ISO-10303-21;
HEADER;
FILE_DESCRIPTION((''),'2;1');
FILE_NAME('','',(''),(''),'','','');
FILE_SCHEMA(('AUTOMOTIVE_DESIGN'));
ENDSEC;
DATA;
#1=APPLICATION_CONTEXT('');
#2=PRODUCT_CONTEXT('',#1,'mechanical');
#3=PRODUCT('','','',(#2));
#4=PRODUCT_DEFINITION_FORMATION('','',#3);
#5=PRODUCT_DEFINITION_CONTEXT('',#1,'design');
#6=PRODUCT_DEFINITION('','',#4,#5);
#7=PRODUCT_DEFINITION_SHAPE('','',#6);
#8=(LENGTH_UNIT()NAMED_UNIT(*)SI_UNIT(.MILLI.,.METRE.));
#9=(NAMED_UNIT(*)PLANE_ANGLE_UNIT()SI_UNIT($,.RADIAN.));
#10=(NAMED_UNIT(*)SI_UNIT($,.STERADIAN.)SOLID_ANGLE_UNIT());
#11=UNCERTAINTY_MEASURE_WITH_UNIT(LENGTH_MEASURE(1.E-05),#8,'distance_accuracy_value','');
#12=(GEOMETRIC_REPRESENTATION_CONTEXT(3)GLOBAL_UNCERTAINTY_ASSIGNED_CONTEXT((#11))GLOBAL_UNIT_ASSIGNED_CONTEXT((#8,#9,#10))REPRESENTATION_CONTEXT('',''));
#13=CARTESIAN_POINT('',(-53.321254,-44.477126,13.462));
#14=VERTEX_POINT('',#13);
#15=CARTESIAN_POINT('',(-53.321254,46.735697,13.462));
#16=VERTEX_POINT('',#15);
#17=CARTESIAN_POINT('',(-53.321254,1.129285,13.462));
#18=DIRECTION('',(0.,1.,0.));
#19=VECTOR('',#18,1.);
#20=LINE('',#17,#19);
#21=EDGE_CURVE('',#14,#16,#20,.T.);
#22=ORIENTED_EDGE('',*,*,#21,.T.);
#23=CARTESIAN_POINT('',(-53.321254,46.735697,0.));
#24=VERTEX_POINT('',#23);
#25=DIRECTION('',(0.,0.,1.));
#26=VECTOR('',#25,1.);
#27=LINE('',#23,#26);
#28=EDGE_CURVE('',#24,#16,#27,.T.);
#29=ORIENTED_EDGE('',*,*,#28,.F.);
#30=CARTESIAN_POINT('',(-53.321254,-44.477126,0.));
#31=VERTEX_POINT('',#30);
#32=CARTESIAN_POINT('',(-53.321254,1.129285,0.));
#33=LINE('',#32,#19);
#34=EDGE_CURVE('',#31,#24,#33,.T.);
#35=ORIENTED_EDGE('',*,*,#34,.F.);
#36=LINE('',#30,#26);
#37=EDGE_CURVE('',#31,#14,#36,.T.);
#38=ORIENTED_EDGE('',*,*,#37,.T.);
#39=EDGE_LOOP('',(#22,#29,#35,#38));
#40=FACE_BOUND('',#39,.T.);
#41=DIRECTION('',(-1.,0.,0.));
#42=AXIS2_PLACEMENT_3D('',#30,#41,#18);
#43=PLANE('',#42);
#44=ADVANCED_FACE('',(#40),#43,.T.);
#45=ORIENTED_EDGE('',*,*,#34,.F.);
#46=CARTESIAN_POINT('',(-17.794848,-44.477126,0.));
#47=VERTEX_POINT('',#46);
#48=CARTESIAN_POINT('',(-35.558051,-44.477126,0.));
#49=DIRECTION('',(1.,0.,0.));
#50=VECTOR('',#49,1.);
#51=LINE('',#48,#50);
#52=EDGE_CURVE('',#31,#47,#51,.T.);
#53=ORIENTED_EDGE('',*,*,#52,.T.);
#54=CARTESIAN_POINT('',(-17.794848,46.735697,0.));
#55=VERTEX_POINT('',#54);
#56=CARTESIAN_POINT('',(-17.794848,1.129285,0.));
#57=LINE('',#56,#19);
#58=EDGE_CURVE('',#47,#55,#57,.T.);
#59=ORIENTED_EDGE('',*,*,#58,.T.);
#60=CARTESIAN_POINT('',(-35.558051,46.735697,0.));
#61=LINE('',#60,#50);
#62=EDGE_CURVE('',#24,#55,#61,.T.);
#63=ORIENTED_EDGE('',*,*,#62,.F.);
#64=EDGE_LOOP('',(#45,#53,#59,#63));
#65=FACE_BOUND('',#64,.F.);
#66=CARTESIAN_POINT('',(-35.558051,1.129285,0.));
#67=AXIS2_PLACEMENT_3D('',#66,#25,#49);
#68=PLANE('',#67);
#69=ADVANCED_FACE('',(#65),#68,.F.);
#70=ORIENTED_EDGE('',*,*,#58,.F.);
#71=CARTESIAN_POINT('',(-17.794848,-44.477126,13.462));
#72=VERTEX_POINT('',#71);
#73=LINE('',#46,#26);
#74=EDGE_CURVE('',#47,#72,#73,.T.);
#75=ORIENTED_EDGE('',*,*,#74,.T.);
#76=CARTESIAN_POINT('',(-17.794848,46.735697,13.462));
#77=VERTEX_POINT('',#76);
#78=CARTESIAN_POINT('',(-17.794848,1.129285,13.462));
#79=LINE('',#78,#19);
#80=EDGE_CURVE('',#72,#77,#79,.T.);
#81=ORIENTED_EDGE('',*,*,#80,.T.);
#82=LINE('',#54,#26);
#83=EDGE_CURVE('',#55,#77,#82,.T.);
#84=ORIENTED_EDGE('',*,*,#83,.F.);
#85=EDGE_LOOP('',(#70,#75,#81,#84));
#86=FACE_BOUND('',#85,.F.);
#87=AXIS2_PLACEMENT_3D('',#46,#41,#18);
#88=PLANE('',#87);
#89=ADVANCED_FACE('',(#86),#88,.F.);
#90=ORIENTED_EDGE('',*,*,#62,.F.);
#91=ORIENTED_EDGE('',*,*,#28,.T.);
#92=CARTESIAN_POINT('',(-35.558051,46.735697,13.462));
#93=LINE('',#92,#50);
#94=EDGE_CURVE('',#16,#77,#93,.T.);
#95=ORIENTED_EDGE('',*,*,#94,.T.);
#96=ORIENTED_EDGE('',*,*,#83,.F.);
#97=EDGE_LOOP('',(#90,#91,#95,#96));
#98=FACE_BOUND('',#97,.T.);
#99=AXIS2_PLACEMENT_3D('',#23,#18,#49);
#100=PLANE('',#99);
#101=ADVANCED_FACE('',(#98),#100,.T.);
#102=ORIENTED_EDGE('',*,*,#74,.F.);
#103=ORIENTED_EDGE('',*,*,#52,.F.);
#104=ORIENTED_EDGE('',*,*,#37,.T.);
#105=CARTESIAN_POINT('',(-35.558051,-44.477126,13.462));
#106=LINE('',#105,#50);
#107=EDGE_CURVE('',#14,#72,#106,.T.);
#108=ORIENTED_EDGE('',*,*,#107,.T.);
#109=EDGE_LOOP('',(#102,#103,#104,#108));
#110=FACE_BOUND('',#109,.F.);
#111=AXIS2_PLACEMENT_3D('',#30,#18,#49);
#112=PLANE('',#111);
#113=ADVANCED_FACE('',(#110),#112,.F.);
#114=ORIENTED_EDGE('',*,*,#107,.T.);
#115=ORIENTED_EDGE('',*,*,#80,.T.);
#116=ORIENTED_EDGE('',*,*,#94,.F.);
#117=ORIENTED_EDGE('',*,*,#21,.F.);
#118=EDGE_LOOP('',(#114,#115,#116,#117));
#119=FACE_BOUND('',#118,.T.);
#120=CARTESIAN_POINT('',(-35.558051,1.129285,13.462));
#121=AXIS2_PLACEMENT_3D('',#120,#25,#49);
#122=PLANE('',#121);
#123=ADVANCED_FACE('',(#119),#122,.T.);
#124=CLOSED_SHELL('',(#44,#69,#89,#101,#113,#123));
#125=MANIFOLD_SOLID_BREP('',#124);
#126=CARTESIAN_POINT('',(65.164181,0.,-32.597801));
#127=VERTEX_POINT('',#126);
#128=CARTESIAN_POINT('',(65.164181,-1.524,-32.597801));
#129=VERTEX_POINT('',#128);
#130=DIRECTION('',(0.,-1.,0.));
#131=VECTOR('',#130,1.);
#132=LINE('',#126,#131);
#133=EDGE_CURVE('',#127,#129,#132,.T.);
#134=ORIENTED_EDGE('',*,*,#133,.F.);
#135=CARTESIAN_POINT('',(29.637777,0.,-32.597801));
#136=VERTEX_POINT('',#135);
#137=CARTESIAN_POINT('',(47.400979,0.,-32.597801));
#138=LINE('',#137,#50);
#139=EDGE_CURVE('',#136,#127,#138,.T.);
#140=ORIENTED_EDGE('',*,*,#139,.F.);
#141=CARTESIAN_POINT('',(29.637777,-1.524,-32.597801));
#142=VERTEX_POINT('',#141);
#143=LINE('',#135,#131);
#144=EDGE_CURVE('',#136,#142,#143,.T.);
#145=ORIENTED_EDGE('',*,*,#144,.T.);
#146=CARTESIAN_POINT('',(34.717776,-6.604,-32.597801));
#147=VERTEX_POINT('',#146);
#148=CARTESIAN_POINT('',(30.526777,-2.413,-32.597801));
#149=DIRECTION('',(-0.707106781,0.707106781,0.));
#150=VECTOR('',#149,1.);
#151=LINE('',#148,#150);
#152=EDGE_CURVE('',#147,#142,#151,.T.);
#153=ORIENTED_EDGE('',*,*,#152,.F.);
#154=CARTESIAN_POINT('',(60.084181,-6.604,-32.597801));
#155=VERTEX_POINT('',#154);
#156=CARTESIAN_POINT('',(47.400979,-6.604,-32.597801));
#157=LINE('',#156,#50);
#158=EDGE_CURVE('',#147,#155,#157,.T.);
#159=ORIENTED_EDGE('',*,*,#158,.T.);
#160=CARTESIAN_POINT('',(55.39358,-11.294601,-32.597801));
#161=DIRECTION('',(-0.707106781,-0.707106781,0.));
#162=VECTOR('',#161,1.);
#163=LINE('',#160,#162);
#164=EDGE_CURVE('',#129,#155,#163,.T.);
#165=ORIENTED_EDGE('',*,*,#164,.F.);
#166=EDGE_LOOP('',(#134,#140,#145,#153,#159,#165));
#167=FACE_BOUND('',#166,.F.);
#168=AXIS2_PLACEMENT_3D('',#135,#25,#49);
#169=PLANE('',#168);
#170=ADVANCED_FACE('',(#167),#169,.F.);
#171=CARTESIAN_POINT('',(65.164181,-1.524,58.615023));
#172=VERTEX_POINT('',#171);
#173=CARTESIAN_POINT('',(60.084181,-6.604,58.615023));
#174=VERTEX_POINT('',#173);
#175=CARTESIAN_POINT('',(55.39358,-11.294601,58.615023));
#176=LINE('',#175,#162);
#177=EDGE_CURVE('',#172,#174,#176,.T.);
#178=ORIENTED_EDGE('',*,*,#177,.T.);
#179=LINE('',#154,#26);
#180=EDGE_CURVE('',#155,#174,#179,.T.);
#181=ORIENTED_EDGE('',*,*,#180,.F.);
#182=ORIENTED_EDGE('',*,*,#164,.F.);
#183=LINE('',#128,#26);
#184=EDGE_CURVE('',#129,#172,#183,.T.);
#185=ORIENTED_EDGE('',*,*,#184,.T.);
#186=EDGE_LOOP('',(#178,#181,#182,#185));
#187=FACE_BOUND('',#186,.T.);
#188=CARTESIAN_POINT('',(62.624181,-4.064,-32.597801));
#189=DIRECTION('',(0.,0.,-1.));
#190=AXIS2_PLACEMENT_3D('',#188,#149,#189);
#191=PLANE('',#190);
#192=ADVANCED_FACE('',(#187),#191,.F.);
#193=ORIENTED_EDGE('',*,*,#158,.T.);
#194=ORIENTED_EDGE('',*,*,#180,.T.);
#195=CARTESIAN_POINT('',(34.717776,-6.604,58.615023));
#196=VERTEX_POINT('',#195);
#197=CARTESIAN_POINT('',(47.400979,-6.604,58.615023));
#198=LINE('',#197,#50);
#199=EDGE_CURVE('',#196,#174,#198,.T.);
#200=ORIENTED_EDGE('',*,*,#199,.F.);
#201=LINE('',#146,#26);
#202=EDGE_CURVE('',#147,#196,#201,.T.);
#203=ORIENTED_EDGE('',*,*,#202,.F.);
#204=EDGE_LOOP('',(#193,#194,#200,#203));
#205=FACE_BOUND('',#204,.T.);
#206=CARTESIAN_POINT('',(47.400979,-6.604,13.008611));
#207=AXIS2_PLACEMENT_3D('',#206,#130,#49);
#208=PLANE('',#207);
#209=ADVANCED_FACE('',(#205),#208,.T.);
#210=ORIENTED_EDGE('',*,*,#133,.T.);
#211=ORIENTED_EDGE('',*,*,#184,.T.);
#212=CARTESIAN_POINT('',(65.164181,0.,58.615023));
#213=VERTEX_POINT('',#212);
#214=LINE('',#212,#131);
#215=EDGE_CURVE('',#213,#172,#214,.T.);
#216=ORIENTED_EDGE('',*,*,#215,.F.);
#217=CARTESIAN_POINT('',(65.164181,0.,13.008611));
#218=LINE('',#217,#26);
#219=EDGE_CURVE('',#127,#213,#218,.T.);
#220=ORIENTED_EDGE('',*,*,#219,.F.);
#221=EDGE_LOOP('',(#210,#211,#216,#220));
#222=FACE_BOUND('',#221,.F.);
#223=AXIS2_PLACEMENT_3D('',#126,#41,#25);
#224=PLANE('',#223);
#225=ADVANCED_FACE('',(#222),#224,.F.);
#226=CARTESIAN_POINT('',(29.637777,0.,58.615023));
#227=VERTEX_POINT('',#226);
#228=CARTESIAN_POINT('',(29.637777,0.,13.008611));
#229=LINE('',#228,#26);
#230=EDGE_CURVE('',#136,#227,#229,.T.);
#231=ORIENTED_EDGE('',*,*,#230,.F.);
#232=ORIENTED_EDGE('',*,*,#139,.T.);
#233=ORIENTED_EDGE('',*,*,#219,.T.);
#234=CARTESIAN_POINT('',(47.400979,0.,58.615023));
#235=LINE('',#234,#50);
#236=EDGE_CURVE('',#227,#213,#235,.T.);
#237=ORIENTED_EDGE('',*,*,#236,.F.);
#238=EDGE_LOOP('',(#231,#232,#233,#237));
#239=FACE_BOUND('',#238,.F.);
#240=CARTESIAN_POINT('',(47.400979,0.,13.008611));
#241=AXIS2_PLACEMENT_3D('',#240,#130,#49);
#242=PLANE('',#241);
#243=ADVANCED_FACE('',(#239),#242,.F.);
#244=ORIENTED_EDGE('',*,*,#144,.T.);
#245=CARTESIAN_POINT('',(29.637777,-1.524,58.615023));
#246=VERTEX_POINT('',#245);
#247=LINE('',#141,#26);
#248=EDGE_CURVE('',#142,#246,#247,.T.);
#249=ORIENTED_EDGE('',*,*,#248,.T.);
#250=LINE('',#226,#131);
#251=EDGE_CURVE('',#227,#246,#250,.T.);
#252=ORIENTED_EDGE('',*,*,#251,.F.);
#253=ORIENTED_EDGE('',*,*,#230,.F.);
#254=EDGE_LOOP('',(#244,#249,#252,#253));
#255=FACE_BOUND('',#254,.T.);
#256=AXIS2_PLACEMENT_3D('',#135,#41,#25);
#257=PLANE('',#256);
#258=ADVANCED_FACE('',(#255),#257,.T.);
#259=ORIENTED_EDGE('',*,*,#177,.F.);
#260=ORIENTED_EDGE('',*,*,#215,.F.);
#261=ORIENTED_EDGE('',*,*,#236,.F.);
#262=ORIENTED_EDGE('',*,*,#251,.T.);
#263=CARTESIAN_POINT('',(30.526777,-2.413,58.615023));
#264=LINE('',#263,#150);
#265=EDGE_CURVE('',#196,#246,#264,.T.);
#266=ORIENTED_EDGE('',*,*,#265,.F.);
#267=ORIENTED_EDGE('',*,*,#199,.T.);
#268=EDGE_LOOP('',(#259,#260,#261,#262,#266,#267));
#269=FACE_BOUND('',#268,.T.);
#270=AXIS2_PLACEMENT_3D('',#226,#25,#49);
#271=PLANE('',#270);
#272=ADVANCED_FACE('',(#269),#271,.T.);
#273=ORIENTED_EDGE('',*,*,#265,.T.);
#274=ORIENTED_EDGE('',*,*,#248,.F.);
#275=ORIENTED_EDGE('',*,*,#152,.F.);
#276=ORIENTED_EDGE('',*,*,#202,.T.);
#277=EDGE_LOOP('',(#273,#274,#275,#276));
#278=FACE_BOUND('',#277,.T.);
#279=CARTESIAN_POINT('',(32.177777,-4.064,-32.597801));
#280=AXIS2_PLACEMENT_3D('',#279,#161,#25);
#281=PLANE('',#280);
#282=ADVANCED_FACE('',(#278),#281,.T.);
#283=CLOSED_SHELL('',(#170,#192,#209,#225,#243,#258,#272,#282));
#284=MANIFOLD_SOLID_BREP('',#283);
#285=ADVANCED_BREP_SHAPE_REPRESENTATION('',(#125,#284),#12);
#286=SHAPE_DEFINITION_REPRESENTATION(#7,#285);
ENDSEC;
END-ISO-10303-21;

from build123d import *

# Parameters (mm, degrees)
F0_W     = 35.526406
F0_H     = 91.212823
F1_DEPTH = 13.462
F2_W     = 35.526405
F2_H     = 91.212824
F3_DEPTH = 6.604
F4_SIZE  = 5.08
F5_SIZE  = 5.08


with BuildPart() as f1:
    # F0 (on Top) → F1 (new body)
    with BuildSketch(Plane.XY):
        with Locations((-35.558051, 1.129285)):
            Rectangle(F0_W, F0_H)
    extrude(amount=F1_DEPTH)


with BuildPart() as f3:
    # F2 (on Front) → F3 (new body)
    with BuildSketch(Plane.XZ):
        with Locations((47.400979, 13.008611)):
            Rectangle(F2_W, F2_H)
    extrude(amount=F3_DEPTH)

    # F4
    f4_edges = [f3.edges().sort_by_distance(p)[0] for p in [
        (65.164182, -6.604, 13.008611),
    ]]
    chamfer(f4_edges, length=F4_SIZE)

    # F5
    f5_edges = [f3.edges().sort_by_distance(p)[0] for p in [
        (29.637777, -6.604, 13.008611),
    ]]
    chamfer(f5_edges, length=F5_SIZE)


solid = Compound([f1.part, f3.part])
